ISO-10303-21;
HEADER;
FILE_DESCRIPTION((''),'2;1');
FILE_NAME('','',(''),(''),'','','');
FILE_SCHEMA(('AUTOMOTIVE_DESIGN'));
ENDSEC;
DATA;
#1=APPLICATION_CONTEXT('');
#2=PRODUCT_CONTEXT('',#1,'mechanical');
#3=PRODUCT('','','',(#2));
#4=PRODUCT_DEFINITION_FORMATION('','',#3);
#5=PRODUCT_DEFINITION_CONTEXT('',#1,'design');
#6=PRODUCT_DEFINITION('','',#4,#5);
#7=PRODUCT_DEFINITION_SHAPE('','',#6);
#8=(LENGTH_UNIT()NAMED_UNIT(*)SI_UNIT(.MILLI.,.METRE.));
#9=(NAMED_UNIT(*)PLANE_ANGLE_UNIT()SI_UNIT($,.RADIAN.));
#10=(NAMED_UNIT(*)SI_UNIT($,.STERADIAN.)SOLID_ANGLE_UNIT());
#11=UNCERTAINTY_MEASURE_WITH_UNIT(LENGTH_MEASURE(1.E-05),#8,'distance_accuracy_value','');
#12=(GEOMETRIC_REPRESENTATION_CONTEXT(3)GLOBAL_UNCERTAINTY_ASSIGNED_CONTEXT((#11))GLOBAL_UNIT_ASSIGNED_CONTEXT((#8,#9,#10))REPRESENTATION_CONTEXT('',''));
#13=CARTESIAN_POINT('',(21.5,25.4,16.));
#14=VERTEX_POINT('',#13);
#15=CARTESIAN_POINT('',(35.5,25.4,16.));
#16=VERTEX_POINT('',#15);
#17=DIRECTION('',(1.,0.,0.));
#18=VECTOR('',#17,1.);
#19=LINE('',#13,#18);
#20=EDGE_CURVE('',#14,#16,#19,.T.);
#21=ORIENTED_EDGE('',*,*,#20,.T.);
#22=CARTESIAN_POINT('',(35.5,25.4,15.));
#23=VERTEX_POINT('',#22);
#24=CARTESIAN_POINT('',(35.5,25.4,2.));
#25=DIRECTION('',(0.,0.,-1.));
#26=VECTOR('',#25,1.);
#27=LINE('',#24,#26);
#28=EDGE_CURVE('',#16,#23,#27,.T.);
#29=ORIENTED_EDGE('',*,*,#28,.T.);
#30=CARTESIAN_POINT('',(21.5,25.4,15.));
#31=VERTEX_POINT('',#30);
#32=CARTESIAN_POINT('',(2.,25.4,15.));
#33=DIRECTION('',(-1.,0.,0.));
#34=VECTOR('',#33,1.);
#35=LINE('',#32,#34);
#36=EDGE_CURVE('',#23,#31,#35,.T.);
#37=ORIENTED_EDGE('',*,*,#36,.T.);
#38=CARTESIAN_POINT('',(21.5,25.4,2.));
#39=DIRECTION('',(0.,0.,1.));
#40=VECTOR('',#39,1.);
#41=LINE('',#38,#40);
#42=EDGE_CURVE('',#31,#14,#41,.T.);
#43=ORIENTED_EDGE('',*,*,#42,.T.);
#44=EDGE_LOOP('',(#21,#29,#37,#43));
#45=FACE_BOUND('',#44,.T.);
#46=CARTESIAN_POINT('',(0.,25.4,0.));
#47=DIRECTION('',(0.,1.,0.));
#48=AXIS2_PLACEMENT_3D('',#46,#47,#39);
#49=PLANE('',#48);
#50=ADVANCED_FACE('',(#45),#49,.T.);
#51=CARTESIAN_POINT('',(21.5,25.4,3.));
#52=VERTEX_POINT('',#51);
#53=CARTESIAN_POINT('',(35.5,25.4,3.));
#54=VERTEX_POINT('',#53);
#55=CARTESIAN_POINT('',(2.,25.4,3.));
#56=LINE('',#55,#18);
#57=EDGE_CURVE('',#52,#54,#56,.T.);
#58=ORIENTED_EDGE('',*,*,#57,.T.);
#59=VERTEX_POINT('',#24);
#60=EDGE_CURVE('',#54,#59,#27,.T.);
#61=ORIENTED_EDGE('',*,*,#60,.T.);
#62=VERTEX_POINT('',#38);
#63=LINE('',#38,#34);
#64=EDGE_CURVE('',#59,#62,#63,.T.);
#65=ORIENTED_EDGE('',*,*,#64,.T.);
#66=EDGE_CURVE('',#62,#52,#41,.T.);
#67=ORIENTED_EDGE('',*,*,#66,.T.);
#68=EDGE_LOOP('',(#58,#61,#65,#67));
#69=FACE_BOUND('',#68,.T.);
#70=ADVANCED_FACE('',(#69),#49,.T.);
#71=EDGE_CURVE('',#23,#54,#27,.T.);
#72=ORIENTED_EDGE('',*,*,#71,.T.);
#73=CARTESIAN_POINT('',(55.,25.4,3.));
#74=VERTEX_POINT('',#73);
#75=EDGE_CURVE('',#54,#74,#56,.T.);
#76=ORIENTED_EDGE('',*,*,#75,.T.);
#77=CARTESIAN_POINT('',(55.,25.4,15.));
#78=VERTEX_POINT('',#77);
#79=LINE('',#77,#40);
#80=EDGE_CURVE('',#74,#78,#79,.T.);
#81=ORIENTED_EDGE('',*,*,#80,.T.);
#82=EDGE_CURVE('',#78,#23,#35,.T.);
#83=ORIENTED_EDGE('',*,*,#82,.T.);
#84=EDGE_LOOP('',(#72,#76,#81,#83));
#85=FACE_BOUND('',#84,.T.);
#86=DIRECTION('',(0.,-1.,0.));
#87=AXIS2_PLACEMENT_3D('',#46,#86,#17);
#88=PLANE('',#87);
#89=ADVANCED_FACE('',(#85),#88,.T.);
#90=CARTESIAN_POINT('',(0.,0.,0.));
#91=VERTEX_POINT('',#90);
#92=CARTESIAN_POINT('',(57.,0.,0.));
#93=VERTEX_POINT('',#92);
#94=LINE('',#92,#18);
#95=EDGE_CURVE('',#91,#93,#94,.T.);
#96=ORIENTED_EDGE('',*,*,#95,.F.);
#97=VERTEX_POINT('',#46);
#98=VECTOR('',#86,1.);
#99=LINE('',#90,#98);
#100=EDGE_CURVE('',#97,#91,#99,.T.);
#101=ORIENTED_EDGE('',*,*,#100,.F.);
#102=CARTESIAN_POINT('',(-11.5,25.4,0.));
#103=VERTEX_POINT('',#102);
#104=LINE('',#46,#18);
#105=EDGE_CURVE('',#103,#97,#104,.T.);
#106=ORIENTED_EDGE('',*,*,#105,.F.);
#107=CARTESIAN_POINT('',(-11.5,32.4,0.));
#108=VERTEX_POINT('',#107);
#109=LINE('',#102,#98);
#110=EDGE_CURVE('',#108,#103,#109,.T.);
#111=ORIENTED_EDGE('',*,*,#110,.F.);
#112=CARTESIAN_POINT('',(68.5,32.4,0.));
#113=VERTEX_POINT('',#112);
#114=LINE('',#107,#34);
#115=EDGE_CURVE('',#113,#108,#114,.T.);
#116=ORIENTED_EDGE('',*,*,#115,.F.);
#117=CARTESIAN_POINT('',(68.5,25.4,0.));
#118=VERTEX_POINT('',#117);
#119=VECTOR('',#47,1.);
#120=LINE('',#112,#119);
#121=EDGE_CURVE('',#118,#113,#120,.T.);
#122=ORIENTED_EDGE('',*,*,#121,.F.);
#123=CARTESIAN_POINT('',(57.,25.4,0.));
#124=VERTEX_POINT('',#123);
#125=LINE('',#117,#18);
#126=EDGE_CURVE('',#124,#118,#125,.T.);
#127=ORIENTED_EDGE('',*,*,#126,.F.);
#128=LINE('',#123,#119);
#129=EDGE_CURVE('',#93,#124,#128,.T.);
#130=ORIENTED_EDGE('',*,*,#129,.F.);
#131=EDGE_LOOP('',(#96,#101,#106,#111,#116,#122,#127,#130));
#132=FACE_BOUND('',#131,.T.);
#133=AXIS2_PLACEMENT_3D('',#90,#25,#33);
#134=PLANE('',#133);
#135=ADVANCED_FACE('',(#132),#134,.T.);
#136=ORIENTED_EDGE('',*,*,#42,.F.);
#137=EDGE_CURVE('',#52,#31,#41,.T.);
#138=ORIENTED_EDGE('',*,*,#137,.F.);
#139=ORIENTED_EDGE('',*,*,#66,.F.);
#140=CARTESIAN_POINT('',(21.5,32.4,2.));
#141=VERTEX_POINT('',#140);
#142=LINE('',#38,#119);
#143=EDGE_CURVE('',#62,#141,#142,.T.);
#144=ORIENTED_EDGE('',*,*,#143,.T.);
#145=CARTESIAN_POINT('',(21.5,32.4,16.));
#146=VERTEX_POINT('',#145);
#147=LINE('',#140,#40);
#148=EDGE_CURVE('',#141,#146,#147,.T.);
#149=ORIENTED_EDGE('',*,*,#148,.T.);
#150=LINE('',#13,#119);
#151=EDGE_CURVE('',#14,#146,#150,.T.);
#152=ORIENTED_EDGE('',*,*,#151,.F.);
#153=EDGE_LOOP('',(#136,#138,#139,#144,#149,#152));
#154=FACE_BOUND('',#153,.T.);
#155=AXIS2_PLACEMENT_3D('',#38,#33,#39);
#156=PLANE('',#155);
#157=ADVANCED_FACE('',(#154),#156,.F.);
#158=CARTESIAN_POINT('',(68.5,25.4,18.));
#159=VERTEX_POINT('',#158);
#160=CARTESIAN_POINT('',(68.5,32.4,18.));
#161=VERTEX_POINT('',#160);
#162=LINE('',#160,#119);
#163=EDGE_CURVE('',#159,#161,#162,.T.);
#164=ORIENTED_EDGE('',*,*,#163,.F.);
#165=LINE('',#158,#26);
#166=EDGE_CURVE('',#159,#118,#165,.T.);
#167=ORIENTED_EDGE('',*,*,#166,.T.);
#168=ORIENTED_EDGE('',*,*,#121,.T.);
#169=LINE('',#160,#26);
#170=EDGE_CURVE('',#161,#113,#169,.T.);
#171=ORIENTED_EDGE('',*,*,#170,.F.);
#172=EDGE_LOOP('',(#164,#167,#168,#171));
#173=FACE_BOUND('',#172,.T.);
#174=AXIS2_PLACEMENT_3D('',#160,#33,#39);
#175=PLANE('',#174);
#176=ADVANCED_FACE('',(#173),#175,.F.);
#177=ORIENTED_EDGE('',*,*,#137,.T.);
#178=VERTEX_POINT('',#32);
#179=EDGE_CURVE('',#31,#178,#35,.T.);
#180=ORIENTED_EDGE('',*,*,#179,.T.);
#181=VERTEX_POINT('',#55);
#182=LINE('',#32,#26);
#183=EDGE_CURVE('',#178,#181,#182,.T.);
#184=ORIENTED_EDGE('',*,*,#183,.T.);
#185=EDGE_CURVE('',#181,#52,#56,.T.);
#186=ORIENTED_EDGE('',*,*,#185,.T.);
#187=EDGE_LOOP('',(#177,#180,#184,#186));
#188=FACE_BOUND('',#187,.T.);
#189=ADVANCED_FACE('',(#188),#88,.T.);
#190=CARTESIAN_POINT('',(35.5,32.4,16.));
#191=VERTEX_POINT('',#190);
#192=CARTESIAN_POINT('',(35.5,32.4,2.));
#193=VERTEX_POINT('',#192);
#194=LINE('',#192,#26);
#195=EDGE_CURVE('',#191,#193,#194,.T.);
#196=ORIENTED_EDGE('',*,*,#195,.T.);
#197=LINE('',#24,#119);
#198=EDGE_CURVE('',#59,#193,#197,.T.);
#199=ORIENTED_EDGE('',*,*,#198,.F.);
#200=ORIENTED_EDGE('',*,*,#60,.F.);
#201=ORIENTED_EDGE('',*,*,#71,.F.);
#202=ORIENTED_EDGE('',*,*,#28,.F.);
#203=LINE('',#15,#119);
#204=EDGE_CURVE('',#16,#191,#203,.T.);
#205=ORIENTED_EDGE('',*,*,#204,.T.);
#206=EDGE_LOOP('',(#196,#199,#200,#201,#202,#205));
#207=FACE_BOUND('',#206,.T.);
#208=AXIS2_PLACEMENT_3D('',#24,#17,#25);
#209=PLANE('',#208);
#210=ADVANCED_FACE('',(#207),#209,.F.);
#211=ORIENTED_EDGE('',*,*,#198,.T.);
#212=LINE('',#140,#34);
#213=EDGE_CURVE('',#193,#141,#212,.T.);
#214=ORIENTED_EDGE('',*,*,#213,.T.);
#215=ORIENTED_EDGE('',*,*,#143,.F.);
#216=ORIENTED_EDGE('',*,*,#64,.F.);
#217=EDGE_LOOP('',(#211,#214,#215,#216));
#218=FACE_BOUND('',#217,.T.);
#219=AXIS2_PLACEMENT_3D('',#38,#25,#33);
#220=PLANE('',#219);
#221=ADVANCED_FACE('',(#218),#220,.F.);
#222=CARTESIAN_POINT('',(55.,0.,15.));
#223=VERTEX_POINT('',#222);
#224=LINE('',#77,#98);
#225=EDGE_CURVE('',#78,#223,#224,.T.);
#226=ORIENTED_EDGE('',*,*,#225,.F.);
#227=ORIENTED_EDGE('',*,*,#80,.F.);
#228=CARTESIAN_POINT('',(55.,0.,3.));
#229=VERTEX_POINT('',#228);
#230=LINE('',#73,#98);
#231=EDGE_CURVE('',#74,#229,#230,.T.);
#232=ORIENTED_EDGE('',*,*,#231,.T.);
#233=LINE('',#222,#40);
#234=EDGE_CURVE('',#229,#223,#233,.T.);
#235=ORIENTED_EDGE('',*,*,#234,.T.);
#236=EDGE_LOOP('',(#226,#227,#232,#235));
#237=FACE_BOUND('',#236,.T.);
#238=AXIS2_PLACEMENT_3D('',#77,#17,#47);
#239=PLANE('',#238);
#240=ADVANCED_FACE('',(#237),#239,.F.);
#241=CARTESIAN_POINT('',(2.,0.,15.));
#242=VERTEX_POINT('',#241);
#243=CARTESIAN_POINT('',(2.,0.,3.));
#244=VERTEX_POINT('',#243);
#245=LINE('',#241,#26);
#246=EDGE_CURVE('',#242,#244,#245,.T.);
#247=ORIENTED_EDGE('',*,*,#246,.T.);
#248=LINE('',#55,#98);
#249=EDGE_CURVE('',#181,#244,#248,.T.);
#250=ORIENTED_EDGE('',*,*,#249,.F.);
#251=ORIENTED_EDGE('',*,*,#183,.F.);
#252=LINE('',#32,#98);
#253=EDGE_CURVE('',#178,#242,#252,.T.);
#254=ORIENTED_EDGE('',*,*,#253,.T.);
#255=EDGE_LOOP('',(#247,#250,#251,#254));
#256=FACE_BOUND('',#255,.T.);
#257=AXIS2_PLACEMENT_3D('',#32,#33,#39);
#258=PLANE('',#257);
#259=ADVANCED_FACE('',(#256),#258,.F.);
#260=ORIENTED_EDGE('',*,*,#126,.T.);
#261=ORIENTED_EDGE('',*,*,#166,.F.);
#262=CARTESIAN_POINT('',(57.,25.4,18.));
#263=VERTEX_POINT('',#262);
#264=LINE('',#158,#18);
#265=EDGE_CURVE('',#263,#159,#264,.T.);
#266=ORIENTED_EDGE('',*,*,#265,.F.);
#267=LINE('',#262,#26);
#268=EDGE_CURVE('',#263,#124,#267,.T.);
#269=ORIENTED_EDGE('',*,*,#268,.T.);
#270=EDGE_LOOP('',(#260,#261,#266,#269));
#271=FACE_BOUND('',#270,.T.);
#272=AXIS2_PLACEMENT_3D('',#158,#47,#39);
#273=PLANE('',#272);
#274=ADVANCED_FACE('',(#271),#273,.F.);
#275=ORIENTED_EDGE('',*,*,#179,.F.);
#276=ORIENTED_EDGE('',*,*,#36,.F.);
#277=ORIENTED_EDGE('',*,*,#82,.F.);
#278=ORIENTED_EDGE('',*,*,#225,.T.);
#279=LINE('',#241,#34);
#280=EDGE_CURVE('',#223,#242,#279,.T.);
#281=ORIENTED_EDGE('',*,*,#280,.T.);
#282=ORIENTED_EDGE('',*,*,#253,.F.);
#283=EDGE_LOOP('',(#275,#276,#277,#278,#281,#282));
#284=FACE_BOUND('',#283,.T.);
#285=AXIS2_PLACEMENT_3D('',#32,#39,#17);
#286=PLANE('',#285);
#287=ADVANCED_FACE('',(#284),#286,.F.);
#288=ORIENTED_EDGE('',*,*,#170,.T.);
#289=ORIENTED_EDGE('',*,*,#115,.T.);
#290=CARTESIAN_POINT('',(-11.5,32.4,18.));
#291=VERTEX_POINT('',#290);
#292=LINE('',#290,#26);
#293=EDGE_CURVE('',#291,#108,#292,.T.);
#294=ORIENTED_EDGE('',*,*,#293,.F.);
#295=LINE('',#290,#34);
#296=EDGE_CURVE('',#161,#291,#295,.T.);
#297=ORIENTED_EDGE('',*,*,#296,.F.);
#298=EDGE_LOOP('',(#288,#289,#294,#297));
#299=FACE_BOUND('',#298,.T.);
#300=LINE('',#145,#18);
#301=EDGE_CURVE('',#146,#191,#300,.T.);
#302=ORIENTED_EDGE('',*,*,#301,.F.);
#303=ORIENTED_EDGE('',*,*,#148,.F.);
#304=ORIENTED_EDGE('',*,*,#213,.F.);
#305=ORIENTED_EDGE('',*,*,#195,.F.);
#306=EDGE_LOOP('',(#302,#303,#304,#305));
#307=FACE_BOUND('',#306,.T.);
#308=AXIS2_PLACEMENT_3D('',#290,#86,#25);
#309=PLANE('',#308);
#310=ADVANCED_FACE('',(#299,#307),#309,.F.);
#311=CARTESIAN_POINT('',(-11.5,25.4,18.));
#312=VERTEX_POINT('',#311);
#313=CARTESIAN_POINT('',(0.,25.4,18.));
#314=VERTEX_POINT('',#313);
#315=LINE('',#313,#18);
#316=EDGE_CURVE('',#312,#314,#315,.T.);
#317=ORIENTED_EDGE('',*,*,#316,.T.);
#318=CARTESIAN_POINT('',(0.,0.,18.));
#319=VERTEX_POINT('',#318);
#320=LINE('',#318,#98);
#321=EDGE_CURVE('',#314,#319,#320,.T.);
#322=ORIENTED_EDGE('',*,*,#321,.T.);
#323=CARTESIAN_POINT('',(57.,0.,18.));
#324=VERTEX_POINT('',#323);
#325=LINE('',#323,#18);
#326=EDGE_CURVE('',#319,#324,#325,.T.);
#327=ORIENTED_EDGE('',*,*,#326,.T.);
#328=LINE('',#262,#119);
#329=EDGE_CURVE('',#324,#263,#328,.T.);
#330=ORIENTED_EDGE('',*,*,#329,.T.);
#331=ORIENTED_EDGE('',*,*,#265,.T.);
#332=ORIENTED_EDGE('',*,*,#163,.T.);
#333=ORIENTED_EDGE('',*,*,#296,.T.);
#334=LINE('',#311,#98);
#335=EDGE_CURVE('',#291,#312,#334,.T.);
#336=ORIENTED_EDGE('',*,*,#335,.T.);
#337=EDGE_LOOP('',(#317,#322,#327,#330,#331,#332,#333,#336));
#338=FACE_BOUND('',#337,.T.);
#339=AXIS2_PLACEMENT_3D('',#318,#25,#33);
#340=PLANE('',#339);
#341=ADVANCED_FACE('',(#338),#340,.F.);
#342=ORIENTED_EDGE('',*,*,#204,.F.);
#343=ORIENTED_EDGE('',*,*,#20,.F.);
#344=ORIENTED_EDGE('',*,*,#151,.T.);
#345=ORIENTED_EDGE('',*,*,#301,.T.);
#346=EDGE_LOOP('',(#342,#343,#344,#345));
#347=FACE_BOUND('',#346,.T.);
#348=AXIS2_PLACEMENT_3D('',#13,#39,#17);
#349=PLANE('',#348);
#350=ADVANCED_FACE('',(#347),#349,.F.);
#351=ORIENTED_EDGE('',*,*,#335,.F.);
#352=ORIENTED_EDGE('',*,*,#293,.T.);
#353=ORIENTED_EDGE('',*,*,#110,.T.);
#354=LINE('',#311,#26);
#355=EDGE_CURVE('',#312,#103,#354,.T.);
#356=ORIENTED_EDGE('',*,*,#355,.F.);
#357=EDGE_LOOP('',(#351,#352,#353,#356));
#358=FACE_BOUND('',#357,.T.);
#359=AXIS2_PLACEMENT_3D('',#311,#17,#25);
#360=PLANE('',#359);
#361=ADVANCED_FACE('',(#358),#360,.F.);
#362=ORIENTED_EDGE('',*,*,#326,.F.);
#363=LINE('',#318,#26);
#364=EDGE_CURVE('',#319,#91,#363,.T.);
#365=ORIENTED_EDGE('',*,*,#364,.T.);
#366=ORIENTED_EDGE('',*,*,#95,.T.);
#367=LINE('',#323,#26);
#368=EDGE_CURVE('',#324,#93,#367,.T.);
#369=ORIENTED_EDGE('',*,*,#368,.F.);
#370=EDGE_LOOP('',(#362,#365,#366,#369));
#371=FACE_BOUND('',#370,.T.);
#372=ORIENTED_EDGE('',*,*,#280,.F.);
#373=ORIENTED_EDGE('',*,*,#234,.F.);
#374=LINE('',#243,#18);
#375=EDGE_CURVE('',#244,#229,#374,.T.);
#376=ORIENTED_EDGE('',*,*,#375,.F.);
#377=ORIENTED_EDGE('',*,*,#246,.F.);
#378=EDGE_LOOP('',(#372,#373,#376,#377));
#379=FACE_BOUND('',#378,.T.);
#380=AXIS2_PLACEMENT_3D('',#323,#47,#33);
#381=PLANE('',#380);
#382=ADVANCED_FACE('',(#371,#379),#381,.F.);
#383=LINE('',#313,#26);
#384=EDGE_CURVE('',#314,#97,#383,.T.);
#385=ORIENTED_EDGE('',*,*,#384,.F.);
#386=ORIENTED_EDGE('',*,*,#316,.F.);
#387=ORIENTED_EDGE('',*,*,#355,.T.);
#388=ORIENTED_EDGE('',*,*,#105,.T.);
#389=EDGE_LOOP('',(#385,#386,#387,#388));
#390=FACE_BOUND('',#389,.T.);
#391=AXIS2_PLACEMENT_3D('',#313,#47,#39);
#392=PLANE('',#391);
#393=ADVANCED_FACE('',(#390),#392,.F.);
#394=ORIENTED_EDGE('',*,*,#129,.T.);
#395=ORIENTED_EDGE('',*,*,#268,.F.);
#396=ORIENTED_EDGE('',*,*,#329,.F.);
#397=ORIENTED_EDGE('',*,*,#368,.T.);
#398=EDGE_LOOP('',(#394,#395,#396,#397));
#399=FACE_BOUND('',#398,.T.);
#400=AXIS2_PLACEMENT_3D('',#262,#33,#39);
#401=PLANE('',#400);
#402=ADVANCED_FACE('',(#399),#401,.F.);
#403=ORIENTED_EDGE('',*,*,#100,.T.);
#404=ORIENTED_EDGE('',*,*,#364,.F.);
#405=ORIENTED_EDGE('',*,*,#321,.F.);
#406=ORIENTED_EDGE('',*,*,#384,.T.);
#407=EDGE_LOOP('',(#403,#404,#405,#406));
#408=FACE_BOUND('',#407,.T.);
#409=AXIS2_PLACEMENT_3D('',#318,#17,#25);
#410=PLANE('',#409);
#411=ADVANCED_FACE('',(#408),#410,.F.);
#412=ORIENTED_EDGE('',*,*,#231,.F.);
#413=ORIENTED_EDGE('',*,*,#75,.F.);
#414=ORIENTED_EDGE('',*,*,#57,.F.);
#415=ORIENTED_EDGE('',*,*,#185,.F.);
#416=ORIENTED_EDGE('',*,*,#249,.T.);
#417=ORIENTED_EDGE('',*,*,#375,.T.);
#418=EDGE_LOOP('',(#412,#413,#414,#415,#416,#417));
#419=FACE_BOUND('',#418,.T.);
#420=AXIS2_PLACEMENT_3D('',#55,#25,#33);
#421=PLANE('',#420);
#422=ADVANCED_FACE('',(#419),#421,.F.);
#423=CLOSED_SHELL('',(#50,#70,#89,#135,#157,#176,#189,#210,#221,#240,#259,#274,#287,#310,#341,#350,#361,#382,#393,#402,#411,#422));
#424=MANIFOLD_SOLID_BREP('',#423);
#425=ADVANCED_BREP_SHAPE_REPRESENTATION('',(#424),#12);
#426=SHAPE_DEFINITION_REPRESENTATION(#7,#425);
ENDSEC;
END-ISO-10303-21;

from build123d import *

# Parameters (mm, degrees)
BOSS_EXTRUDE2_DEPTH = 18
SKETCH4_W           = 53
SKETCH4_H           = 12
CUT_EXTRUDE2_DEPTH  = 25.4
SKETCH5_W           = 14
SKETCH5_H           = 14
CUT_EXTRUDE3_DEPTH  = 7


with BuildPart() as part:
    # Sketch3 → Boss-Extrude2 (new body)
    with BuildSketch(Plane.XY):
        Polygon((0, 0), (0, 25.4), (-11.5, 25.4), (-11.5, 32.4), (68.5, 32.4), (68.5, 25.4), (57, 25.4), (57, 0), align=None)
    extrude(amount=BOSS_EXTRUDE2_DEPTH)

    # Sketch4 → Cut-Extrude2 (cut)
    with BuildSketch(Plane.XZ):
        with Locations((28.5, 9)):
            Rectangle(SKETCH4_W, SKETCH4_H)
    extrude(amount=-CUT_EXTRUDE2_DEPTH, mode=Mode.SUBTRACT)

    # Sketch5 → Cut-Extrude3 (cut)
    with BuildSketch(Plane(origin=(0, 32.4, 0), x_dir=(1, 0, 0), z_dir=(0, 1, 0))):
        with Locations((28.5, -9)):
            Rectangle(SKETCH5_W, SKETCH5_H)
    extrude(amount=-CUT_EXTRUDE3_DEPTH, mode=Mode.SUBTRACT)


solid = part.part
